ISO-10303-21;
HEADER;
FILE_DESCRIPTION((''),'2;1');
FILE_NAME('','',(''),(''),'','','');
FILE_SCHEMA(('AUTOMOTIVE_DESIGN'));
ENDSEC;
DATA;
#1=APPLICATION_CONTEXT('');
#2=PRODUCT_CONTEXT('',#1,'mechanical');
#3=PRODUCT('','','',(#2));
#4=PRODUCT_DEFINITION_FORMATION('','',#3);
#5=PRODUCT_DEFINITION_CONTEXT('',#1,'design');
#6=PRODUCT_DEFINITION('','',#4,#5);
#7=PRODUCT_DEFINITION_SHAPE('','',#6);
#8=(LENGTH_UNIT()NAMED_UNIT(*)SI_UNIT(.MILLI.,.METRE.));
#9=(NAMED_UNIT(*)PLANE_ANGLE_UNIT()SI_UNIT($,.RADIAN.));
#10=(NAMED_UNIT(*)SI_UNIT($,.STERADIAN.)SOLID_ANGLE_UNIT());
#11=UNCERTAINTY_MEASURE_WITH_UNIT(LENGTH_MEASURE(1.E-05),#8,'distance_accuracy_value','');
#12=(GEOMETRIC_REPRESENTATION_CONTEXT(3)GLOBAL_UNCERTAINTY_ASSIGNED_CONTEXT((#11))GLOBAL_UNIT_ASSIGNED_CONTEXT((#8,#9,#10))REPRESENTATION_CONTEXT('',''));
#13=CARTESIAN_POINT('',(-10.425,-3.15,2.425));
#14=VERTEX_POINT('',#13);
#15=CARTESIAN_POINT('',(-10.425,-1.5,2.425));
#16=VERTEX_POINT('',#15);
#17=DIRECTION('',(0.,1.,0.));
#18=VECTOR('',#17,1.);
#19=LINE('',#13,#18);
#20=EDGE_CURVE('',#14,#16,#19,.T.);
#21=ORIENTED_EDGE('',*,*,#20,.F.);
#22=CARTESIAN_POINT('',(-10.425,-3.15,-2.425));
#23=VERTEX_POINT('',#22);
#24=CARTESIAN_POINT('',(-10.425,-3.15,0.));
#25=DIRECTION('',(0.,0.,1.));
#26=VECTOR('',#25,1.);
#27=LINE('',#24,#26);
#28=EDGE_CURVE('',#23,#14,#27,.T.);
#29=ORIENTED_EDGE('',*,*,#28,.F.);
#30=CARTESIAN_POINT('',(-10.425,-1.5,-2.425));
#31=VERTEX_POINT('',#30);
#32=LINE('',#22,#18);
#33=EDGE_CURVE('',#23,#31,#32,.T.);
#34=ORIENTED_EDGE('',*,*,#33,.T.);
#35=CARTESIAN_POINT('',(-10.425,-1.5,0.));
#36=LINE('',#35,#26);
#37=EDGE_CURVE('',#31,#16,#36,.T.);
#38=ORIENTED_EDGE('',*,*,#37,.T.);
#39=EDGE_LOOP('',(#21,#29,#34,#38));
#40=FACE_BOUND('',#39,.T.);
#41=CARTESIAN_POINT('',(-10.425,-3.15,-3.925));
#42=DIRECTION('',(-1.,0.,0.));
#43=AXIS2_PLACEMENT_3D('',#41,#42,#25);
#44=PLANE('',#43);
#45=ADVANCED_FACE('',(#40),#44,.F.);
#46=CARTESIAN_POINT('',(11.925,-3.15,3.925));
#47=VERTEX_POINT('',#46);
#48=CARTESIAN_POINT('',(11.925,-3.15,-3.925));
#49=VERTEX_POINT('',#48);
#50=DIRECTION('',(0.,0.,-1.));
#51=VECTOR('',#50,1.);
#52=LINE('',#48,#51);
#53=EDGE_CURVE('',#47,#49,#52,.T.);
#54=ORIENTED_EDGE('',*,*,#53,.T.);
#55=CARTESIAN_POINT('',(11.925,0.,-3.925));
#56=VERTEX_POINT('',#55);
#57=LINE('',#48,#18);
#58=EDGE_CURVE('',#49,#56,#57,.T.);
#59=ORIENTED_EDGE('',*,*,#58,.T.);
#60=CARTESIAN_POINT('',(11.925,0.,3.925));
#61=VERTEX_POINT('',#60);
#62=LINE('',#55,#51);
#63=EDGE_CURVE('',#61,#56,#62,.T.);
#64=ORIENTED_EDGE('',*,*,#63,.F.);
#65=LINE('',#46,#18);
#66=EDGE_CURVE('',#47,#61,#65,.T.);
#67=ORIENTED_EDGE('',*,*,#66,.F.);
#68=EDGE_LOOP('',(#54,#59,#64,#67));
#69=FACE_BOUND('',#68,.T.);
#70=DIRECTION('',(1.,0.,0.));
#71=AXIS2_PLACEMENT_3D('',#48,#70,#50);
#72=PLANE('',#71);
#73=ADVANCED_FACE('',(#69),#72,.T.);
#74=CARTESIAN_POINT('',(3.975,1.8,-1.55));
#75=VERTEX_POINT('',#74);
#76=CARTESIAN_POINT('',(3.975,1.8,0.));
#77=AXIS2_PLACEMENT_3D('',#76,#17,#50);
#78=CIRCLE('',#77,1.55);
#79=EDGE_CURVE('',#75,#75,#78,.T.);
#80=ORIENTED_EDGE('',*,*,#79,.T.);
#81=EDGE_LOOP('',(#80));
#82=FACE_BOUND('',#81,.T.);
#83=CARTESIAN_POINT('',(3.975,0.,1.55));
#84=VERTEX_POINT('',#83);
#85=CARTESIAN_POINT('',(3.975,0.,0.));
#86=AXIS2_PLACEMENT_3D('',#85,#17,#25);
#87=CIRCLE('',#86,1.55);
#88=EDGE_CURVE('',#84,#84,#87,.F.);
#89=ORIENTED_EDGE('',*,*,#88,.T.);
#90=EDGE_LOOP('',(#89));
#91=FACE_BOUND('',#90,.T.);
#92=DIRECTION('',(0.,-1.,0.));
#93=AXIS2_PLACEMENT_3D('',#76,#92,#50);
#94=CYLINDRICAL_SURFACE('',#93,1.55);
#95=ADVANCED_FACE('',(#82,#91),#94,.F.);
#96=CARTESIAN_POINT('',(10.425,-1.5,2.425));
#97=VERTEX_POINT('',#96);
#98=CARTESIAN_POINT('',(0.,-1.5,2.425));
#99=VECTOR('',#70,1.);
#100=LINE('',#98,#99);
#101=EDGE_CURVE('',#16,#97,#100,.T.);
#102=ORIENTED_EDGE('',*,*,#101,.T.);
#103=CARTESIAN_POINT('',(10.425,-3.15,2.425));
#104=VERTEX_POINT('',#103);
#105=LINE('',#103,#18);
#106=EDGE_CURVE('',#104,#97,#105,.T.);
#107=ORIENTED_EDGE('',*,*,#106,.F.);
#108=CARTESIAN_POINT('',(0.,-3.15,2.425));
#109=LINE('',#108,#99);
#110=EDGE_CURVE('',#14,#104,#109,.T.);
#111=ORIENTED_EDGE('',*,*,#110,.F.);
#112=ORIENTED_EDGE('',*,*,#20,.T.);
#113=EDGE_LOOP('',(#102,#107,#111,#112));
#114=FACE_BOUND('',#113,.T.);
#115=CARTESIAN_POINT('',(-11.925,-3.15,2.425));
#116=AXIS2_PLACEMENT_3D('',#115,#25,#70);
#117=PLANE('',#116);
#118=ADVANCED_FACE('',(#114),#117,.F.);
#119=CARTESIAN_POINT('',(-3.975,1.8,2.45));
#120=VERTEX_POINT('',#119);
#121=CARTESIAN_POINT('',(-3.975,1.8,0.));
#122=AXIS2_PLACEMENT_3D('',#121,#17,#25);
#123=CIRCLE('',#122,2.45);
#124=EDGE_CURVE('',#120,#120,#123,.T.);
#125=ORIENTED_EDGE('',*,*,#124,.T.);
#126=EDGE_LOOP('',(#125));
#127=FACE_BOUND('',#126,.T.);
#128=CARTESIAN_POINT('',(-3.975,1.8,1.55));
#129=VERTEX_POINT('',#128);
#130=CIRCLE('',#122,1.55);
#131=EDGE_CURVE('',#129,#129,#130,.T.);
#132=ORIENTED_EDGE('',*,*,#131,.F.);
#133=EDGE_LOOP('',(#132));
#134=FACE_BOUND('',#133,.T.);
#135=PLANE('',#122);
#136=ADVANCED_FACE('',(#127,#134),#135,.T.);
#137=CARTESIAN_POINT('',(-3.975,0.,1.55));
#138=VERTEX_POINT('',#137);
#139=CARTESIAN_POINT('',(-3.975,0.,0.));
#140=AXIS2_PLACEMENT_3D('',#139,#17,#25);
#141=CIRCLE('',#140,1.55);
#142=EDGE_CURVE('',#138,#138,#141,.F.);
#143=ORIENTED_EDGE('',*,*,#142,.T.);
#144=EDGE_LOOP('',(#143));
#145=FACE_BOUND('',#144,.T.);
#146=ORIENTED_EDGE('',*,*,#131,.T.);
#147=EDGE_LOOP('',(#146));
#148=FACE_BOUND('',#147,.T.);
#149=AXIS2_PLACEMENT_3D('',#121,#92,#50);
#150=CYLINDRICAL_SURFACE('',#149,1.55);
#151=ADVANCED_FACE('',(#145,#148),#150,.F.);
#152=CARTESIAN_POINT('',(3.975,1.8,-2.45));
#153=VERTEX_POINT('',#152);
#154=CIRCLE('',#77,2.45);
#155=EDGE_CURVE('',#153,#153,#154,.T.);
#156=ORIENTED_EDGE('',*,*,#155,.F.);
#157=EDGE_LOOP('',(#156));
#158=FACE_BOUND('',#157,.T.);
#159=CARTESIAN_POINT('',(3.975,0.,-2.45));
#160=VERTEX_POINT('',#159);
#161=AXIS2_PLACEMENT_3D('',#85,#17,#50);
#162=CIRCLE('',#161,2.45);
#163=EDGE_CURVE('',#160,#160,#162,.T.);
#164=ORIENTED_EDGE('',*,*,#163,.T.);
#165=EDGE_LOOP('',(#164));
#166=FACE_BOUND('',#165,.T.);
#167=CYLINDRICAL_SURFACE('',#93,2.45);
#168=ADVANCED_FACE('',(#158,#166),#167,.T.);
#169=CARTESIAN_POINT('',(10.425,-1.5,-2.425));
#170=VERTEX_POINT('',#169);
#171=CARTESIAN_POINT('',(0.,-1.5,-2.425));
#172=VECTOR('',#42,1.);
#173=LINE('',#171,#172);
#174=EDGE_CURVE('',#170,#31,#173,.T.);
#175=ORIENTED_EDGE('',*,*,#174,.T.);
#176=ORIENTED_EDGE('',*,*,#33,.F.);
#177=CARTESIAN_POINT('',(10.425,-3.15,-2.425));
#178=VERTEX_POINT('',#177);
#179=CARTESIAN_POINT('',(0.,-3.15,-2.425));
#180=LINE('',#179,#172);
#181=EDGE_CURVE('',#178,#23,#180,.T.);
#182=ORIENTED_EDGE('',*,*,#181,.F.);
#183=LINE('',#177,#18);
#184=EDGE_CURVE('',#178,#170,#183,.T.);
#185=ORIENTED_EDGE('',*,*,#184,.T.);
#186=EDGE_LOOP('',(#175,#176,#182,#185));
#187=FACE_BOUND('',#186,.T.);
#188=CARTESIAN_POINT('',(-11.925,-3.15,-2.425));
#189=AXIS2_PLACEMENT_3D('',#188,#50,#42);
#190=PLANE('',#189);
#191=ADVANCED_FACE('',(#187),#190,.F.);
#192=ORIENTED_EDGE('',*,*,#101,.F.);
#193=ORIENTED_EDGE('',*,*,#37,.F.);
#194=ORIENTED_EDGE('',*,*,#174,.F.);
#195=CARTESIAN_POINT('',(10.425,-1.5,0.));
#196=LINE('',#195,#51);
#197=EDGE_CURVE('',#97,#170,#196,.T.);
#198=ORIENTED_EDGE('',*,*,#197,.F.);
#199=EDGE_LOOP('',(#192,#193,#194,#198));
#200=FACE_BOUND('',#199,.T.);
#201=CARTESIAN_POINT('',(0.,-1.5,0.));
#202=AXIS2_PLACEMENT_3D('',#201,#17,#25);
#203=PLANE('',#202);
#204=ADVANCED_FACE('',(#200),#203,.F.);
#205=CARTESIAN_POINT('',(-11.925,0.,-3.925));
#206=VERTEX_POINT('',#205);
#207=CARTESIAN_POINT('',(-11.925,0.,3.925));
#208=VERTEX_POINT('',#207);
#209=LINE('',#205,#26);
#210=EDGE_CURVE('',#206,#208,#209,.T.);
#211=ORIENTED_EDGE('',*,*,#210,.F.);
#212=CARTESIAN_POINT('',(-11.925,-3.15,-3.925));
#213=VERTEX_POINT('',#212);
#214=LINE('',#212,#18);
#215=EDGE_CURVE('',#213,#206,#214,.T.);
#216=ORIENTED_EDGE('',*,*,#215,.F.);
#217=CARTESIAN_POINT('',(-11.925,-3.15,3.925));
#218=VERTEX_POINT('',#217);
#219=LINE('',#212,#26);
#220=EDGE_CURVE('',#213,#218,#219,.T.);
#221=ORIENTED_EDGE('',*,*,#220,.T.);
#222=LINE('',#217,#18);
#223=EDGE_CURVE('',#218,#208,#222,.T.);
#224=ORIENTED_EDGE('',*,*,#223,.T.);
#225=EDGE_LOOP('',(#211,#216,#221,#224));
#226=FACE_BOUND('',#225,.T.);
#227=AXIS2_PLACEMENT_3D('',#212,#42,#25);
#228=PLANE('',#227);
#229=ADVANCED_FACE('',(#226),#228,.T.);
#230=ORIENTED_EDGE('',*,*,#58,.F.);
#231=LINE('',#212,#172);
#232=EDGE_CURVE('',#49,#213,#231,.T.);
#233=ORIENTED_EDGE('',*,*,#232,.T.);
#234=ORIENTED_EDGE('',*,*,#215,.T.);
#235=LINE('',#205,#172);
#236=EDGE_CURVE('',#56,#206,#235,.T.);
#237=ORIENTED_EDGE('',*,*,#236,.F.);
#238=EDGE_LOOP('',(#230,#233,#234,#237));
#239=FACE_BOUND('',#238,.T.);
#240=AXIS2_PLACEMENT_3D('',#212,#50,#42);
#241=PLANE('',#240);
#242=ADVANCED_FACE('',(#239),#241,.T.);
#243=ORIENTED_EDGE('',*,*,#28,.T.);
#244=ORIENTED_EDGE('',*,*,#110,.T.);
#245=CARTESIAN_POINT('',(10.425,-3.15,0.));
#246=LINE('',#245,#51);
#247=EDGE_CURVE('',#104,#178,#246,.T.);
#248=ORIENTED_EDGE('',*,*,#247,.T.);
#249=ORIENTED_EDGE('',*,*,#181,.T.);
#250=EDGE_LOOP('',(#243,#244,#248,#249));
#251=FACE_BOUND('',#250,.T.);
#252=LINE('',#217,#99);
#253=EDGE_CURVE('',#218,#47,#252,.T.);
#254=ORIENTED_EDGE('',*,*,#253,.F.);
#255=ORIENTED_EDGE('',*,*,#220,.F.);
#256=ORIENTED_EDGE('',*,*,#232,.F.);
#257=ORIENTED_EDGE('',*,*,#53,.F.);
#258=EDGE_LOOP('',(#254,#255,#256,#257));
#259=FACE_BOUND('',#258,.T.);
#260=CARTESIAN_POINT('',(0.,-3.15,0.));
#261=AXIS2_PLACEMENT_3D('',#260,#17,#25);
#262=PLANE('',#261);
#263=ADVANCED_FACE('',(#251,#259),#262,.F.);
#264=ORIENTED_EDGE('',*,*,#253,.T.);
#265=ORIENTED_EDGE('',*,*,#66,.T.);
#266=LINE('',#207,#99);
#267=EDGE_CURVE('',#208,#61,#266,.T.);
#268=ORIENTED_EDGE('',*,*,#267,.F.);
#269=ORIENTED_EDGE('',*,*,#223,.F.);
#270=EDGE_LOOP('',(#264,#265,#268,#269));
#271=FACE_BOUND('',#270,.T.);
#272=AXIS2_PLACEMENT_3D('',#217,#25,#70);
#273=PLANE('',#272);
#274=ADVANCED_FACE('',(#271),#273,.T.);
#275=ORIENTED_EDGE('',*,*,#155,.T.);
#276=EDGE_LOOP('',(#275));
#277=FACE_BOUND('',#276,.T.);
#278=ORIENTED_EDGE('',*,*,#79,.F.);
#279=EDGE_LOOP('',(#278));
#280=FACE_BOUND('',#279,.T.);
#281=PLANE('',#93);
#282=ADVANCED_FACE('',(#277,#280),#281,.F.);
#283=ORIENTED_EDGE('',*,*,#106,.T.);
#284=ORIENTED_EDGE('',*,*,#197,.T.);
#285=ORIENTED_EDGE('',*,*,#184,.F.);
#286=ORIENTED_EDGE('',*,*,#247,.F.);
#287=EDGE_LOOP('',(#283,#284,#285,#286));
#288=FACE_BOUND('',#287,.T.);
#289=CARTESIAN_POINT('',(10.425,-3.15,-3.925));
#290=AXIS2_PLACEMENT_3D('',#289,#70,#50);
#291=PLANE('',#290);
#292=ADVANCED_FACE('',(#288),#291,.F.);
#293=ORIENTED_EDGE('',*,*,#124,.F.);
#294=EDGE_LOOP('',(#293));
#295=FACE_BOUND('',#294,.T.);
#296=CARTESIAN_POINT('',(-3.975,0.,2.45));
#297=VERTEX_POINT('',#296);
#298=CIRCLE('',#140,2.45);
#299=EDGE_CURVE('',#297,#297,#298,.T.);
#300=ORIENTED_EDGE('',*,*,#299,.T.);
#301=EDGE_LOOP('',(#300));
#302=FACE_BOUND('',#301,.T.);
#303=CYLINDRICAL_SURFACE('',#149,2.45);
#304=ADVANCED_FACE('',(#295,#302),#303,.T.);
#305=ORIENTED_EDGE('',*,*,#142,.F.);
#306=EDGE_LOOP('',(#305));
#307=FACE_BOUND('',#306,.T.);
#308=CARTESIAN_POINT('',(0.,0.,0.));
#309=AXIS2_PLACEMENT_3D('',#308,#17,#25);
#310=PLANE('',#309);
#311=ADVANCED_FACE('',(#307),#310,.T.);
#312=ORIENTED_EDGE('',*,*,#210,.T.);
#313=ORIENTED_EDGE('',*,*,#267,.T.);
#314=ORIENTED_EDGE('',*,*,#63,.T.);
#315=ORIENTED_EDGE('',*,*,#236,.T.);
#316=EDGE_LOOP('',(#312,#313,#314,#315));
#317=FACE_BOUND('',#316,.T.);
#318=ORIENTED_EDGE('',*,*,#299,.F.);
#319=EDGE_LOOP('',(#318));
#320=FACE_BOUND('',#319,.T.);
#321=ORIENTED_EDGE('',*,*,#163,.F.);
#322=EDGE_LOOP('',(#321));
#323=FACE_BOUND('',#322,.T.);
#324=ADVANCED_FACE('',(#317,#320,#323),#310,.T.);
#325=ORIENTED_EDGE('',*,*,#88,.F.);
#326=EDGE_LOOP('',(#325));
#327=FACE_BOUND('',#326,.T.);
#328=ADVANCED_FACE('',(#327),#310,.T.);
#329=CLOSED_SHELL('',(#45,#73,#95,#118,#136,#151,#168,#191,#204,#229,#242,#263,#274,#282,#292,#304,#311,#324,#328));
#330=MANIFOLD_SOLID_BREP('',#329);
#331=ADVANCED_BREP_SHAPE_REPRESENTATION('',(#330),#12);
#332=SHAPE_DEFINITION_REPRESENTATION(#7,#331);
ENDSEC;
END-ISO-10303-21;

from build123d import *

# Parameters (mm, degrees)
SKETCH1_W           = 23.85
SKETCH1_H           = 7.85
BOSS_EXTRUDE1_DEPTH = 3.15
SHELL1_T            = -1.5
SKETCH2_R           = 2.45
SKETCH2_R_2         = 1.55
BOSS_EXTRUDE2_DEPTH = 1.8


with BuildPart() as part:
    # Sketch1 → Boss-Extrude1 (new body)
    with BuildSketch(Plane(origin=(0, 0, 0), x_dir=(1, 0, 0), z_dir=(0, 1, 0))):
        Rectangle(SKETCH1_W, SKETCH1_H)
    extrude(amount=-BOSS_EXTRUDE1_DEPTH)

    # Shell1
    shell1_openings = [part.faces().sort_by_distance(p)[0] for p in [
        (0, -3.15, 0),
    ]]
    offset(amount=SHELL1_T, openings=shell1_openings, kind=Kind.INTERSECTION)

    # Sketch2 → Boss-Extrude2 (add)
    # profile 1 of 2: a face of its own
    with BuildSketch(Plane(origin=(0, 0, 0), x_dir=(1, 0, 0), z_dir=(0, 1, 0))):
        with Locations(Location((-3.975, 0, 0), (0, 0, 270))):
            Circle(SKETCH2_R)
        with Locations(Location((-3.975, 0, 0), (0, 0, 270))):
            Circle(SKETCH2_R_2, mode=Mode.SUBTRACT)
    # profile 2 of 2: a face of its own
    with BuildSketch(Plane(origin=(0, 0, 0), x_dir=(1, 0, 0), z_dir=(0, 1, 0))):
        with Locations(Location((3.975, 0, 0), (0, 0, 90))):
            Circle(SKETCH2_R)
        with Locations(Location((3.975, 0, 0), (0, 0, 90))):
            Circle(SKETCH2_R_2, mode=Mode.SUBTRACT)
    extrude(amount=BOSS_EXTRUDE2_DEPTH)


solid = part.part
